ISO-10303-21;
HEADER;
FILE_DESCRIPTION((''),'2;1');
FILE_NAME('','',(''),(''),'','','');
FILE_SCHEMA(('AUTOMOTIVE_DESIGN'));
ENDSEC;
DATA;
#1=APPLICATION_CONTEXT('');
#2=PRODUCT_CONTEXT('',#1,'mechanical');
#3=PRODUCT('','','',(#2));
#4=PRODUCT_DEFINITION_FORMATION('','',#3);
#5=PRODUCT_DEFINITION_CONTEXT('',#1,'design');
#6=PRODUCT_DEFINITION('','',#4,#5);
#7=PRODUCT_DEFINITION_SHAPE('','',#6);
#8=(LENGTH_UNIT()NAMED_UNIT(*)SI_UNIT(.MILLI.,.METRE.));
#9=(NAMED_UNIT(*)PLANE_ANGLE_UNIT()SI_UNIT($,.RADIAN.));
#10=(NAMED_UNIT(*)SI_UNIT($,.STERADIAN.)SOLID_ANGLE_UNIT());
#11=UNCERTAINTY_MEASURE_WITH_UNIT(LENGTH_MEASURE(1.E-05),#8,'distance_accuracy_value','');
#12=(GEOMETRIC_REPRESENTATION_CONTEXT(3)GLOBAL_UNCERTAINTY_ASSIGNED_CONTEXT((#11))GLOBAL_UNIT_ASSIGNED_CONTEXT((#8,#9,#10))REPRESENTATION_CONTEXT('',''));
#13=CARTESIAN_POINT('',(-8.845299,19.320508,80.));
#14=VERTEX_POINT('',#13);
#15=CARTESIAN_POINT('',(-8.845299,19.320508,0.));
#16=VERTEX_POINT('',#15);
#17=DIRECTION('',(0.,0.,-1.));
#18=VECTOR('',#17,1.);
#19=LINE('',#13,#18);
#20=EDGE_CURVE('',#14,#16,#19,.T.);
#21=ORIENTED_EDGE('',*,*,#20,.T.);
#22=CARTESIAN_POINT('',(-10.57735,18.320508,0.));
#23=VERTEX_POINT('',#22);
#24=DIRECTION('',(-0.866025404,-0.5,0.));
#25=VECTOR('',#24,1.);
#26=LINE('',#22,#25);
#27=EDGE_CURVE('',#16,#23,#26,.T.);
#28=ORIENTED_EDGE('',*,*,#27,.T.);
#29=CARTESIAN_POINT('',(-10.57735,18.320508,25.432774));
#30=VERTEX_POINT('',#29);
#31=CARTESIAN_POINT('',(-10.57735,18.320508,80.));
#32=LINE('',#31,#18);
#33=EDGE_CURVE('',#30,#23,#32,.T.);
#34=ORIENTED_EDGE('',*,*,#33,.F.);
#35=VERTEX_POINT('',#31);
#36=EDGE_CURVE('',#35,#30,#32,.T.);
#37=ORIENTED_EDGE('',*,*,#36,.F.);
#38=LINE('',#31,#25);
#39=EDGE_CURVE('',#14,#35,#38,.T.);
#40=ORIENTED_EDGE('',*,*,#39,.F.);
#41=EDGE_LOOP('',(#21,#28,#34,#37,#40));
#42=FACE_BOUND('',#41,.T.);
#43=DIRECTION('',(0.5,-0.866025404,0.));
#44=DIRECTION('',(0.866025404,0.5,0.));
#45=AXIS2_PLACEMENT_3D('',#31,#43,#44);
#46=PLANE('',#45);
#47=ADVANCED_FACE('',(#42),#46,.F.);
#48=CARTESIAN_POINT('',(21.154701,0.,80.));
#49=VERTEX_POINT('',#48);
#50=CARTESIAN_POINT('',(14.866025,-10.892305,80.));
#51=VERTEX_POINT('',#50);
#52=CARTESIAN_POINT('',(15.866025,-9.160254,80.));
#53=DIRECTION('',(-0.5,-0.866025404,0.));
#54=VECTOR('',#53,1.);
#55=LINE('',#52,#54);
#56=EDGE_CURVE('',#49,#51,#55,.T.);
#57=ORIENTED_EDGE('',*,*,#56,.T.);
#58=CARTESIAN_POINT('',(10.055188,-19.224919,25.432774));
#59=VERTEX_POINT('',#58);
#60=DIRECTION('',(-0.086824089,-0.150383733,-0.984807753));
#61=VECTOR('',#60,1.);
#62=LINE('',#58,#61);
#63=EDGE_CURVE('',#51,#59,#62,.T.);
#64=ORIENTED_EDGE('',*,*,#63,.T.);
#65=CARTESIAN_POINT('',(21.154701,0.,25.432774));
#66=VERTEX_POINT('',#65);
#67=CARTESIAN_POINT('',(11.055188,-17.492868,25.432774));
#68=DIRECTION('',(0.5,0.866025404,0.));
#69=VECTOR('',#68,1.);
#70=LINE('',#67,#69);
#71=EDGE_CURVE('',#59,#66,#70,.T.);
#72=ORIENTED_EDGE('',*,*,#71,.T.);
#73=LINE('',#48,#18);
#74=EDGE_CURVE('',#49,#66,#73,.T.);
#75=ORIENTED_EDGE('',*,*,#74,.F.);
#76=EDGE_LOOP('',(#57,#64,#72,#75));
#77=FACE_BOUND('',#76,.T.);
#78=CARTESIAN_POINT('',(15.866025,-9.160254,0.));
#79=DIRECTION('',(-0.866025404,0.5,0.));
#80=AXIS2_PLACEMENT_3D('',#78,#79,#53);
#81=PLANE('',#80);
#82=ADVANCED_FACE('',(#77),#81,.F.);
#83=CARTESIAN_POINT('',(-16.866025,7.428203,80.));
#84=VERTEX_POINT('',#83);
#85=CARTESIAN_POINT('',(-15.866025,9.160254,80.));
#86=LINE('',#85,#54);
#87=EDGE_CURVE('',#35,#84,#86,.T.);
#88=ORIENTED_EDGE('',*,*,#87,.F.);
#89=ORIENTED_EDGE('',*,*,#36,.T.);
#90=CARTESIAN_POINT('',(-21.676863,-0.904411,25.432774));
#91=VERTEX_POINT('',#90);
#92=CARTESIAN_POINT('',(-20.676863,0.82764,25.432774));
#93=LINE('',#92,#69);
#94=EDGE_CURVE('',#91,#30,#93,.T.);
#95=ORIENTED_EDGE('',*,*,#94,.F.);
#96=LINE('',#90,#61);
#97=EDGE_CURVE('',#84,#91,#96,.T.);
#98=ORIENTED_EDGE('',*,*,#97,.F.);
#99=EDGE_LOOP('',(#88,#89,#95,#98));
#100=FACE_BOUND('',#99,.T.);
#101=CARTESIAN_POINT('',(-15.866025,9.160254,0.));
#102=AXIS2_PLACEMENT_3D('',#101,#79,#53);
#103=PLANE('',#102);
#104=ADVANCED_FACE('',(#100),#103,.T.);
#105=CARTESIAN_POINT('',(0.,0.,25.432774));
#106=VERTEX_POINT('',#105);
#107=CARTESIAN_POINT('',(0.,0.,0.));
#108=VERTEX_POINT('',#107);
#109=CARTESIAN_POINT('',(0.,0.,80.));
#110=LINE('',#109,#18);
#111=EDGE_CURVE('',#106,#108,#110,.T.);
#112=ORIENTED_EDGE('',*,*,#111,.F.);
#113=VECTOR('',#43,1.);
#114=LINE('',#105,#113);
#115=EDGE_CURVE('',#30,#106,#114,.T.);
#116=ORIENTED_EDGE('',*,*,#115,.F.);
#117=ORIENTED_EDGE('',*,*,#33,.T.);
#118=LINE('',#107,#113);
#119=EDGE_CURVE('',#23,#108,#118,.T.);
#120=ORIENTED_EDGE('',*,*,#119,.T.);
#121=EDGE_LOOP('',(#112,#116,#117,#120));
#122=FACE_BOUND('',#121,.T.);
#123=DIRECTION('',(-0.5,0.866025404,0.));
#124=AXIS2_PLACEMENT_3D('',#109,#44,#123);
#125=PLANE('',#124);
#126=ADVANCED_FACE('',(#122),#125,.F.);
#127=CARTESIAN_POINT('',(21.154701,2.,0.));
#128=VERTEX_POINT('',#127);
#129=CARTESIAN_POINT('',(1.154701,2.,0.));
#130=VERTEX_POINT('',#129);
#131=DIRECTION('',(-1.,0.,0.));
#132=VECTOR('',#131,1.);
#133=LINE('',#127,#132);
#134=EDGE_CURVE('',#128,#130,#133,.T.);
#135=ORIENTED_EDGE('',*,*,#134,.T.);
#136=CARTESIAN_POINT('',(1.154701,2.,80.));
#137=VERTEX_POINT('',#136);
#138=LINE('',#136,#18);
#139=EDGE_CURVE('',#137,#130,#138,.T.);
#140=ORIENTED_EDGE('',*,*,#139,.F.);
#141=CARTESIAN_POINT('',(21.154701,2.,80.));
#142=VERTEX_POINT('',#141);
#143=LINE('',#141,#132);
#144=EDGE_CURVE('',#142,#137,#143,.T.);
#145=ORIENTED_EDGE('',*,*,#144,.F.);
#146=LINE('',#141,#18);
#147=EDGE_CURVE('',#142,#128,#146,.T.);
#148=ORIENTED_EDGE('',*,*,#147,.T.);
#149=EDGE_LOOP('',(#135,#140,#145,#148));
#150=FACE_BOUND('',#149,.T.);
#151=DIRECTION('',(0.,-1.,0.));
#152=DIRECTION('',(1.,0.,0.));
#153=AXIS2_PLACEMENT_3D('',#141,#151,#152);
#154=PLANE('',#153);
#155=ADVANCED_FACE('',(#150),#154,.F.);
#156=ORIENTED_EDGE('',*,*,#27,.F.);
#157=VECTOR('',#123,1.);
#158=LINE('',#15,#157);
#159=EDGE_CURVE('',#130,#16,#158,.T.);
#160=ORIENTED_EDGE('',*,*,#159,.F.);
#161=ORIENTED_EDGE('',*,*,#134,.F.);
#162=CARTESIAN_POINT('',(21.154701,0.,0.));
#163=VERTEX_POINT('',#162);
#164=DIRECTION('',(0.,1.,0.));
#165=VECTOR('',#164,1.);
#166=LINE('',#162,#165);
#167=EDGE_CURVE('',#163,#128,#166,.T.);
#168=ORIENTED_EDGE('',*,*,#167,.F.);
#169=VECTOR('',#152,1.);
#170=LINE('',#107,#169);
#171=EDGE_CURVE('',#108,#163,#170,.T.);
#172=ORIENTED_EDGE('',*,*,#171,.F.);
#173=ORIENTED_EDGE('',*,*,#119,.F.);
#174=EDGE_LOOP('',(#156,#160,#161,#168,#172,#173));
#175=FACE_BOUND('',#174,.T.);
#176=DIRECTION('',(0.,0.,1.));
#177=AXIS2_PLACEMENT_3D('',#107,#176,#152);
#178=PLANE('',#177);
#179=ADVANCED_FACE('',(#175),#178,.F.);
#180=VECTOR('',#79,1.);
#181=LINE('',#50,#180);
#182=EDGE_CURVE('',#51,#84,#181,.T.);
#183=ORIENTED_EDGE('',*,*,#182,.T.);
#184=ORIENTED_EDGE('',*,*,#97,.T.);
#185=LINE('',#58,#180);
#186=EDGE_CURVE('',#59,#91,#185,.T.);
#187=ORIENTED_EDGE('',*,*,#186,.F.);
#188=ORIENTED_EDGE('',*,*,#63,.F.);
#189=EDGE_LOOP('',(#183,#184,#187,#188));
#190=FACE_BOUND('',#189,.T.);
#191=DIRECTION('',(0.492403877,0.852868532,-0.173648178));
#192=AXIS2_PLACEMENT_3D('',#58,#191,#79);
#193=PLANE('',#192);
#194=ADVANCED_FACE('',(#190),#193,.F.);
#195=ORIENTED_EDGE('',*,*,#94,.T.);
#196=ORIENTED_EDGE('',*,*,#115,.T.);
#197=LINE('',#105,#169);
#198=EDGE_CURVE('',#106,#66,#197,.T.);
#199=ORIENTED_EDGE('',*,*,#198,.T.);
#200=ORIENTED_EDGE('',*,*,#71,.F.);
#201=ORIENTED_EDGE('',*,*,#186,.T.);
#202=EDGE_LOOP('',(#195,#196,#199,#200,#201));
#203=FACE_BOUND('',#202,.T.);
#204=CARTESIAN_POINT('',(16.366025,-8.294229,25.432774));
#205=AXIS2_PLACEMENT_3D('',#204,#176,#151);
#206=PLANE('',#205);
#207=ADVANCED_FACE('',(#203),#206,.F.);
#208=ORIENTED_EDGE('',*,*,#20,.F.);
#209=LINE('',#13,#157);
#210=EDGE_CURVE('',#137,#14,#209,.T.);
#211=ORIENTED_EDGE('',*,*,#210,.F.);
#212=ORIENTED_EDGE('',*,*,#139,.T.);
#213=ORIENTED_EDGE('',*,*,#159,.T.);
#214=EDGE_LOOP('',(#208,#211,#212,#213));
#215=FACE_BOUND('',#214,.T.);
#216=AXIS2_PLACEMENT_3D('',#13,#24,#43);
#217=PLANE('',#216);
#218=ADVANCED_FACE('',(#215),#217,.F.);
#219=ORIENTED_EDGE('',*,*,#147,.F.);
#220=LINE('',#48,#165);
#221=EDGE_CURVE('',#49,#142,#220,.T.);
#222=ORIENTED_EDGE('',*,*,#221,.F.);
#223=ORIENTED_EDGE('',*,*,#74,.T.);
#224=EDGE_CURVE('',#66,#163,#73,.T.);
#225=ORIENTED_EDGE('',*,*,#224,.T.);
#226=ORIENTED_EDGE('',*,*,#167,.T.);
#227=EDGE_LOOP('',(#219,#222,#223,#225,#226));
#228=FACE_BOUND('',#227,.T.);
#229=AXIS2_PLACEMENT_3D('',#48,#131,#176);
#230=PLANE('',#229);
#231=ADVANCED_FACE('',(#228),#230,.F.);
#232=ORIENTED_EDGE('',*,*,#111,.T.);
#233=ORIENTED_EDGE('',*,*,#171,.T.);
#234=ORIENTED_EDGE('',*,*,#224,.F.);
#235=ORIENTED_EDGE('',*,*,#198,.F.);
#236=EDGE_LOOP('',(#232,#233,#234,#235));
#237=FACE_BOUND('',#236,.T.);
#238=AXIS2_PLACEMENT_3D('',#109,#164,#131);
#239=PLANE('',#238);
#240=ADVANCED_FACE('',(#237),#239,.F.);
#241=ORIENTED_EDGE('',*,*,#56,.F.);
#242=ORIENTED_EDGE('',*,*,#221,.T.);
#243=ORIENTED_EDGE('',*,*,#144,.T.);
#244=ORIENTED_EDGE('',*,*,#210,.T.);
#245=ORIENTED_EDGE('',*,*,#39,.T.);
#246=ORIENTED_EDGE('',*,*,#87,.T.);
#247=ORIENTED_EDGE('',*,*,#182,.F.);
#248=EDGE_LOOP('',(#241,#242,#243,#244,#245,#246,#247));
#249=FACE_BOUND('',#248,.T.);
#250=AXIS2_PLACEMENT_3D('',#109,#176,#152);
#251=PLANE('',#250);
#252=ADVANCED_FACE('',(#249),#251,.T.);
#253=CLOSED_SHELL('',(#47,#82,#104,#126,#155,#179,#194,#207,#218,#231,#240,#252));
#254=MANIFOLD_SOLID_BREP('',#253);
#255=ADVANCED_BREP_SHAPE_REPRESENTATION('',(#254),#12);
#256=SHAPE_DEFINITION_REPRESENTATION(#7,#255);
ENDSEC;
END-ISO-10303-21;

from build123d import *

# Parameters (mm, degrees)
BOSS_EXTRUDE2_DEPTH      = 80
BOSS_EXTRUDE3_DEPTH      = 18.320508
BOSS_EXTRUDE3_DEPTH_BACK = 18.320508
BOSS_EXTRUDE4_REACH      = 87.413
SKETCH6_W                = 54.567226391
SKETCH6_H                = 16.588457268
BOSS_EXTRUDE5_REACH      = 87.413
SKETCH8_W                = 16.588457268
SKETCH8_H                = 54.567226391


with BuildPart() as part:
    # Sketch3 → Boss-Extrude2 (new body)
    with BuildSketch(Plane.XY):
        Polygon((0, 0), (-10.577350269, 18.320508076), (-8.845299462, 19.320508076), (1.154700538, 2), (21.154700538, 2), (21.154700538, 0), align=None)
    extrude(amount=BOSS_EXTRUDE2_DEPTH)

    # Sketch5 → Boss-Extrude3 (add, two sides: drawn at the far end of the back side and taken through both)
    with BuildSketch(Plane(origin=(0, 0, 0), x_dir=(0, 0, -1), z_dir=(0.86602540378444, -0.4999999999999977, 0)).offset(-BOSS_EXTRUDE3_DEPTH_BACK)):
        Polygon((-25.432773609, -9.621674275), (-25.432773609, -11.621674275), (-80, -2), (-80, 0), (-80, 1), (-25.432773609, 1), (-25.432773609, 0), align=None)
    extrude(amount=BOSS_EXTRUDE3_DEPTH + BOSS_EXTRUDE3_DEPTH_BACK)

    # Sketch6 → Boss-Extrude4 (add, up to next)
    with BuildSketch(Plane(origin=(0.4999999999999976, 0.8660254037844397, 0), x_dir=(0, 0, -1), z_dir=(0.49999999999999784, 0.8660254037844398, 0)), mode=Mode.PRIVATE) as boss_extrude4_sk1:
        with Locations((-52.716386805, 10.026279442)):
            Rectangle(SKETCH6_W, SKETCH6_H)
    boss_extrude4_tool1 = extrude(boss_extrude4_sk1.sketch, amount=BOSS_EXTRUDE4_REACH, mode=Mode.PRIVATE) - part.part
    add(boss_extrude4_tool1.solids().sort_by_distance((-8.183013, 5.879165, 52.716387))[0])

    # Sketch8 → Boss-Extrude5 (add, up to next)
    with BuildSketch(Plane(origin=(0.4999999999999976, 0.8660254037844397, 0), x_dir=(0.8660254037844399, -0.4999999999999979, 0), z_dir=(0.49999999999999784, 0.8660254037844398, 0)), mode=Mode.PRIVATE) as boss_extrude5_sk1:
        with Locations((10.026279442, -52.716386805)):
            Rectangle(SKETCH8_W, SKETCH8_H)
    boss_extrude5_tool1 = extrude(boss_extrude5_sk1.sketch, amount=BOSS_EXTRUDE5_REACH, mode=Mode.PRIVATE) - part.part
    add(boss_extrude5_tool1.solids().sort_by_distance((9.183013, -4.147114, 52.716387))[0])


solid = part.part
